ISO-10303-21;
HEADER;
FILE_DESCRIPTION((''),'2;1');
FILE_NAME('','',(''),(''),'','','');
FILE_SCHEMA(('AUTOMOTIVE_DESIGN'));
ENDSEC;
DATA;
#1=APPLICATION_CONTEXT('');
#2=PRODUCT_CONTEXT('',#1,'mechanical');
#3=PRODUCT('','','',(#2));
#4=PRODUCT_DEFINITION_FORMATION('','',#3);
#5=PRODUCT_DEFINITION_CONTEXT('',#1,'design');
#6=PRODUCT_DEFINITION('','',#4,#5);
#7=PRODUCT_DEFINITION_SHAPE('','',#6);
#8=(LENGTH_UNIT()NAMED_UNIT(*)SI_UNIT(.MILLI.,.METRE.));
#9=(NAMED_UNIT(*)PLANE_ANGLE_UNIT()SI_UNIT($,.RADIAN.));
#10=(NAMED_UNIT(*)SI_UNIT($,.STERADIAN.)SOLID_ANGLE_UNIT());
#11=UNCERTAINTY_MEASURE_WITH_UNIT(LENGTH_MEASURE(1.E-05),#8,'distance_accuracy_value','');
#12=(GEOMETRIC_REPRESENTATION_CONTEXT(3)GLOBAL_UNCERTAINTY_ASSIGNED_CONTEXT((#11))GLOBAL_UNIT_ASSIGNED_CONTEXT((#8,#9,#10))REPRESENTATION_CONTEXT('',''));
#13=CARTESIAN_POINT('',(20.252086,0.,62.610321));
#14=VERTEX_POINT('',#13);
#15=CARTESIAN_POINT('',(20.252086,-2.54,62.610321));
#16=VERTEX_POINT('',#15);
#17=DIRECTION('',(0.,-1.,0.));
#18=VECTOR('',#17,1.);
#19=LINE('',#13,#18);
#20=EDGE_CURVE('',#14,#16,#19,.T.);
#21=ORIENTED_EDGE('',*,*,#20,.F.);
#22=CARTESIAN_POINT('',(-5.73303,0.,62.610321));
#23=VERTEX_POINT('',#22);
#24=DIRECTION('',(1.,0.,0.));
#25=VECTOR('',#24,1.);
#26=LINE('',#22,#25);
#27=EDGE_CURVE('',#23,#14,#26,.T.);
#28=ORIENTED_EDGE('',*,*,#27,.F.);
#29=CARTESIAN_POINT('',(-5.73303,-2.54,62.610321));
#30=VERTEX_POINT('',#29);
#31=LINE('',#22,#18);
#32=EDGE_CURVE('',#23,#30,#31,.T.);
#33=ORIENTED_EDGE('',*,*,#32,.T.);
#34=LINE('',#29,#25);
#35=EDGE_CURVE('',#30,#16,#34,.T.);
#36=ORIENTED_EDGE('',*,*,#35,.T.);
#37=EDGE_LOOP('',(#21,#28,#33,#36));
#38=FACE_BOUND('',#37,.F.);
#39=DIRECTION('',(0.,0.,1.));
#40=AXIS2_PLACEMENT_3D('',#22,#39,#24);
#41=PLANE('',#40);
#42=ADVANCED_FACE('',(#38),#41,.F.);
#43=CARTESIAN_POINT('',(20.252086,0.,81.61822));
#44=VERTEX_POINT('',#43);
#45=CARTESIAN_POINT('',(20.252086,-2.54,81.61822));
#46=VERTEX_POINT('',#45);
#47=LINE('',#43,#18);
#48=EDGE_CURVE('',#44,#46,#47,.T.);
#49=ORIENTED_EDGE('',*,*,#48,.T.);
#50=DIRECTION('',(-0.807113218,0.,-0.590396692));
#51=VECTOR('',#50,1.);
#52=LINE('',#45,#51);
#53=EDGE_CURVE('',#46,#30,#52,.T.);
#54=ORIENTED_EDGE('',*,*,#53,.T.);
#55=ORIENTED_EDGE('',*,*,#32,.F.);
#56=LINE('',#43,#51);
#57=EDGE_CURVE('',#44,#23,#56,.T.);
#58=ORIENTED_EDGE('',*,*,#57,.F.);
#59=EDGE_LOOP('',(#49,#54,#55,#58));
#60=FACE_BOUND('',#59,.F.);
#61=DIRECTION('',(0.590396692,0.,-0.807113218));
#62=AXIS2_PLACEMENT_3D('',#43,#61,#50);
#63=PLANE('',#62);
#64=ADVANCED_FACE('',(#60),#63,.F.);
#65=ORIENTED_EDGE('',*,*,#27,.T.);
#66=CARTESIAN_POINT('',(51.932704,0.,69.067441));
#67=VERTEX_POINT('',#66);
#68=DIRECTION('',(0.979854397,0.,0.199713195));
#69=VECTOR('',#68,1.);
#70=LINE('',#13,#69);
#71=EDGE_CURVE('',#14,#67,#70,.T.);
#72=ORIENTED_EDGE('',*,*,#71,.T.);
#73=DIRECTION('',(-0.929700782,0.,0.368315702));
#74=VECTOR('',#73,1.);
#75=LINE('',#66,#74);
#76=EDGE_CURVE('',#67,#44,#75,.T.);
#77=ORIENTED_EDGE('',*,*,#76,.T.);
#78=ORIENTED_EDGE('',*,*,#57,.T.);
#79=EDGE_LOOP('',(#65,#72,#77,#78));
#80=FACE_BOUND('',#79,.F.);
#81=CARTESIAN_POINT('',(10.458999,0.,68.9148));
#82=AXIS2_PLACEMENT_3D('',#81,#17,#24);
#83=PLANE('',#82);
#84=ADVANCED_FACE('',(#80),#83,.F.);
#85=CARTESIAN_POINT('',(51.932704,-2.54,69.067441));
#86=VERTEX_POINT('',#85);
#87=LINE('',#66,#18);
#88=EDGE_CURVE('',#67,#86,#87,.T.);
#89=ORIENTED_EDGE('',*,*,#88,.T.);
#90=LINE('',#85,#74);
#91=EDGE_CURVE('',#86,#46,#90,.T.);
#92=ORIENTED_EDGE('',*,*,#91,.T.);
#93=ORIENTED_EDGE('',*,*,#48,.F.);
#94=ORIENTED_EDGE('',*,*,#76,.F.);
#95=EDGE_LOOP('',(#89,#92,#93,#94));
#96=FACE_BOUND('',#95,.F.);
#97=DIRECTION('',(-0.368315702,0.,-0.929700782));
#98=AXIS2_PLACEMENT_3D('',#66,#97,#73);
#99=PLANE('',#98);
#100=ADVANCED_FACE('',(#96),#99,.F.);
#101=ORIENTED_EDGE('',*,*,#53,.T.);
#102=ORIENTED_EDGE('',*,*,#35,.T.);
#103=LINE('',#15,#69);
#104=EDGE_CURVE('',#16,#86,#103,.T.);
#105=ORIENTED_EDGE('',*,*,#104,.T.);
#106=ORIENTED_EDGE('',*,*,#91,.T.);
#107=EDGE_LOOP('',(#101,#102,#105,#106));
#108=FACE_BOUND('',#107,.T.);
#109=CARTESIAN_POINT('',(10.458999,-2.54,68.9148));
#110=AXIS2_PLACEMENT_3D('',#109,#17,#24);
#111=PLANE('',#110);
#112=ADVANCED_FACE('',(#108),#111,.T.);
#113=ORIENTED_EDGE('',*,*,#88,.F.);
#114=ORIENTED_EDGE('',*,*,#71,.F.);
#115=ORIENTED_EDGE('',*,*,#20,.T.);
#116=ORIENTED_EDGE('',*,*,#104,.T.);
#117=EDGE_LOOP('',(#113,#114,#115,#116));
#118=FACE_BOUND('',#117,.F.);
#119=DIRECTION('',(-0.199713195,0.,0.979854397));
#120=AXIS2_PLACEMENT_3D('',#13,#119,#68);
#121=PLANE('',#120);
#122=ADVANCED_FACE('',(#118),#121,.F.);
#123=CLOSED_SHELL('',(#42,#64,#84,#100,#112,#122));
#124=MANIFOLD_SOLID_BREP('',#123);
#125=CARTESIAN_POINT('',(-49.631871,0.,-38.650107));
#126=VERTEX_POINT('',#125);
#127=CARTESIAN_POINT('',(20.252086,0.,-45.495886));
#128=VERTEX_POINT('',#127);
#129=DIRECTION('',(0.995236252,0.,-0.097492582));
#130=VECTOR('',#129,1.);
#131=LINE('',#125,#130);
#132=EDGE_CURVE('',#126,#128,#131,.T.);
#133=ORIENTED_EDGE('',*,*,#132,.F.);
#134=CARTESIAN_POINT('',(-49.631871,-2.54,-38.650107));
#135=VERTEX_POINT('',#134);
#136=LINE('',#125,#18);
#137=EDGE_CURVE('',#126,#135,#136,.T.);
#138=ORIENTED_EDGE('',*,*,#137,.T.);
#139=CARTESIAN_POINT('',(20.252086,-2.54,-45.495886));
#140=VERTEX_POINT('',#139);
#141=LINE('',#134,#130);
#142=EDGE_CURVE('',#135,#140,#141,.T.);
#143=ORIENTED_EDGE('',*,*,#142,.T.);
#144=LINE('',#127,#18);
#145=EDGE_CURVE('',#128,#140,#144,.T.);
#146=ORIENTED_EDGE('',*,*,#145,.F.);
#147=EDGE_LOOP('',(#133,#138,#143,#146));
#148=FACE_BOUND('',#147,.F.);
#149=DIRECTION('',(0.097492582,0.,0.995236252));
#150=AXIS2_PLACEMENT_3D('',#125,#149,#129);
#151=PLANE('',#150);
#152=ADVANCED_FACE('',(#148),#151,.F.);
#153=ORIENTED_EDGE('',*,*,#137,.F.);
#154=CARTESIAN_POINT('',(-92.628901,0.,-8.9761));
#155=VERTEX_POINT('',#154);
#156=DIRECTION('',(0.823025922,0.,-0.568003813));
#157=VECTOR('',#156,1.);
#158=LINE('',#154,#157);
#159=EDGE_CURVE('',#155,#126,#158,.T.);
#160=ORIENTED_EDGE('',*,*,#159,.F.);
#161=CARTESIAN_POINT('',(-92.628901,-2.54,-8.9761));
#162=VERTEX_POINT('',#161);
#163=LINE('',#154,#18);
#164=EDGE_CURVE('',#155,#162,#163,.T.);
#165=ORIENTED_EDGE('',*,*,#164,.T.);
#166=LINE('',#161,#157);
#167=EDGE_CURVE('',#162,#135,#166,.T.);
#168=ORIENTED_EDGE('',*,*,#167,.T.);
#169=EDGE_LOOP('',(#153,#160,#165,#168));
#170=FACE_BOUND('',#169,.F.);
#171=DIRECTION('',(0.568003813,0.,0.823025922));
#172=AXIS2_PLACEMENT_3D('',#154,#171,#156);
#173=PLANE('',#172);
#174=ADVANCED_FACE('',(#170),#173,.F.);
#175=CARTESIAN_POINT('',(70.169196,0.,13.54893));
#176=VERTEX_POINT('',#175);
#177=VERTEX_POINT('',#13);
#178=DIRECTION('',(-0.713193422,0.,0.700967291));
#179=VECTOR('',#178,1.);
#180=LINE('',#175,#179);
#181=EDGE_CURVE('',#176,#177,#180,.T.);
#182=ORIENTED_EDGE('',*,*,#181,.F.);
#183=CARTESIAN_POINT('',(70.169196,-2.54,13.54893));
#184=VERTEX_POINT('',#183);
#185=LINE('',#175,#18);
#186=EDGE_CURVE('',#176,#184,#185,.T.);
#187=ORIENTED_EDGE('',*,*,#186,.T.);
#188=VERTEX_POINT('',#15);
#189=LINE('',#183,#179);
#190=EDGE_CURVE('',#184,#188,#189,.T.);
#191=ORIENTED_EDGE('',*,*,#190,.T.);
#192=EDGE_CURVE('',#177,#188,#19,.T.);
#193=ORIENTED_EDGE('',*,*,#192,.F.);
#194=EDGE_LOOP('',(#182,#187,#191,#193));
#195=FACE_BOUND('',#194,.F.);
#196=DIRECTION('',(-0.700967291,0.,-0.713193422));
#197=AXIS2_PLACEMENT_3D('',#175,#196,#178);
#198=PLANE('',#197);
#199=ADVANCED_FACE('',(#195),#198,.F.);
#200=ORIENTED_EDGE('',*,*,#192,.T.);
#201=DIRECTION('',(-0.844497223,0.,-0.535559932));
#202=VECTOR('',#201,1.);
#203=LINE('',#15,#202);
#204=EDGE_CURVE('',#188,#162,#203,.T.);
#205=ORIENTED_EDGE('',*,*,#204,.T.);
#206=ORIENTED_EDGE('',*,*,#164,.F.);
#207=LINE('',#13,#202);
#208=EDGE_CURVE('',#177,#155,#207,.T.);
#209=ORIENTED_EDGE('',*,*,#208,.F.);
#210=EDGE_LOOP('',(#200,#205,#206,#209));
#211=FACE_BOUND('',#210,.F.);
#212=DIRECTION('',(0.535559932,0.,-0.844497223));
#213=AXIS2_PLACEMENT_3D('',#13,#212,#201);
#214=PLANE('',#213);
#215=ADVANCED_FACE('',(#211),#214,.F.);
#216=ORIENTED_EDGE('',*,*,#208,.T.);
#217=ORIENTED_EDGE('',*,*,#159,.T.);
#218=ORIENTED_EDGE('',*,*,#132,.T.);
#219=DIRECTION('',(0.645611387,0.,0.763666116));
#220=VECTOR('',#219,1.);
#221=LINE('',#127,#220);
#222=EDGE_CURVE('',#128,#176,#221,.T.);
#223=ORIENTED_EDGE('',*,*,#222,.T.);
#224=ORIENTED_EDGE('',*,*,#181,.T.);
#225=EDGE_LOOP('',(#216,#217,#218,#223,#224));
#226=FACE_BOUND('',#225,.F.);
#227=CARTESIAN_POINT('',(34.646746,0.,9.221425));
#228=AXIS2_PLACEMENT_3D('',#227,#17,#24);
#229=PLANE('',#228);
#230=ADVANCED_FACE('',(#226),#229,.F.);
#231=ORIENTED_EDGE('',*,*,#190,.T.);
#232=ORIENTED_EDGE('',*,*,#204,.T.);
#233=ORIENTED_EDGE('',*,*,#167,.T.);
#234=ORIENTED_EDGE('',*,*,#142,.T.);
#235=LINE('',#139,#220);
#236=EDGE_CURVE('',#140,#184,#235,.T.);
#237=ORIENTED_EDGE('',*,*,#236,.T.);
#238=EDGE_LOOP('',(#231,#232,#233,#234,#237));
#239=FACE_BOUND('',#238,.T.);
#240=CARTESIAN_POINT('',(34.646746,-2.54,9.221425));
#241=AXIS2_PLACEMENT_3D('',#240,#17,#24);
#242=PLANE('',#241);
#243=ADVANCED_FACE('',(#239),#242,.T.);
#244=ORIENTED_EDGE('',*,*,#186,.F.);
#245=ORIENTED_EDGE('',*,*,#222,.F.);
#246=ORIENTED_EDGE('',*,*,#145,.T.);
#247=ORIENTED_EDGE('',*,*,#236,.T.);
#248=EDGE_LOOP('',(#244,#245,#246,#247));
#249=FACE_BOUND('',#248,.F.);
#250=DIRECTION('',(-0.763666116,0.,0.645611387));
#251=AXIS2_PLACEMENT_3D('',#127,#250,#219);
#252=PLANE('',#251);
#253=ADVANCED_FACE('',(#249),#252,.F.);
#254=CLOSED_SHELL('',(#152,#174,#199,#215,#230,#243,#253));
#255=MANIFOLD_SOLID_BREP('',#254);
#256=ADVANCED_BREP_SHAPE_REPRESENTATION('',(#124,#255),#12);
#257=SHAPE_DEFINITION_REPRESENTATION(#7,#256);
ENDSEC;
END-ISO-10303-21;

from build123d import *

# Parameters (mm, degrees)
F1_DEPTH = 2.54


with BuildPart() as f1:
    # F0 (on Front) → F1 (new body)
    with BuildSketch(Plane.XZ):
        Polygon((70.169196, 13.54893), (20.252086, 62.610321), (20.252086, -45.495886), align=None)
        Polygon((20.252086, -45.495886), (20.252086, 62.610321), (-49.631871, -38.650107), align=None)
        Polygon((-5.73303, 62.610321), (20.252086, 62.610321), (20.252086, 81.61822), align=None)
        Polygon((20.252086, 81.61822), (20.252086, 62.610321), (51.932704, 69.067441), align=None)
        Polygon((-49.631871, -38.650107), (20.252086, 62.610321), (-92.628901, -8.9761), align=None)
    extrude(amount=F1_DEPTH)


solid = f1.part
